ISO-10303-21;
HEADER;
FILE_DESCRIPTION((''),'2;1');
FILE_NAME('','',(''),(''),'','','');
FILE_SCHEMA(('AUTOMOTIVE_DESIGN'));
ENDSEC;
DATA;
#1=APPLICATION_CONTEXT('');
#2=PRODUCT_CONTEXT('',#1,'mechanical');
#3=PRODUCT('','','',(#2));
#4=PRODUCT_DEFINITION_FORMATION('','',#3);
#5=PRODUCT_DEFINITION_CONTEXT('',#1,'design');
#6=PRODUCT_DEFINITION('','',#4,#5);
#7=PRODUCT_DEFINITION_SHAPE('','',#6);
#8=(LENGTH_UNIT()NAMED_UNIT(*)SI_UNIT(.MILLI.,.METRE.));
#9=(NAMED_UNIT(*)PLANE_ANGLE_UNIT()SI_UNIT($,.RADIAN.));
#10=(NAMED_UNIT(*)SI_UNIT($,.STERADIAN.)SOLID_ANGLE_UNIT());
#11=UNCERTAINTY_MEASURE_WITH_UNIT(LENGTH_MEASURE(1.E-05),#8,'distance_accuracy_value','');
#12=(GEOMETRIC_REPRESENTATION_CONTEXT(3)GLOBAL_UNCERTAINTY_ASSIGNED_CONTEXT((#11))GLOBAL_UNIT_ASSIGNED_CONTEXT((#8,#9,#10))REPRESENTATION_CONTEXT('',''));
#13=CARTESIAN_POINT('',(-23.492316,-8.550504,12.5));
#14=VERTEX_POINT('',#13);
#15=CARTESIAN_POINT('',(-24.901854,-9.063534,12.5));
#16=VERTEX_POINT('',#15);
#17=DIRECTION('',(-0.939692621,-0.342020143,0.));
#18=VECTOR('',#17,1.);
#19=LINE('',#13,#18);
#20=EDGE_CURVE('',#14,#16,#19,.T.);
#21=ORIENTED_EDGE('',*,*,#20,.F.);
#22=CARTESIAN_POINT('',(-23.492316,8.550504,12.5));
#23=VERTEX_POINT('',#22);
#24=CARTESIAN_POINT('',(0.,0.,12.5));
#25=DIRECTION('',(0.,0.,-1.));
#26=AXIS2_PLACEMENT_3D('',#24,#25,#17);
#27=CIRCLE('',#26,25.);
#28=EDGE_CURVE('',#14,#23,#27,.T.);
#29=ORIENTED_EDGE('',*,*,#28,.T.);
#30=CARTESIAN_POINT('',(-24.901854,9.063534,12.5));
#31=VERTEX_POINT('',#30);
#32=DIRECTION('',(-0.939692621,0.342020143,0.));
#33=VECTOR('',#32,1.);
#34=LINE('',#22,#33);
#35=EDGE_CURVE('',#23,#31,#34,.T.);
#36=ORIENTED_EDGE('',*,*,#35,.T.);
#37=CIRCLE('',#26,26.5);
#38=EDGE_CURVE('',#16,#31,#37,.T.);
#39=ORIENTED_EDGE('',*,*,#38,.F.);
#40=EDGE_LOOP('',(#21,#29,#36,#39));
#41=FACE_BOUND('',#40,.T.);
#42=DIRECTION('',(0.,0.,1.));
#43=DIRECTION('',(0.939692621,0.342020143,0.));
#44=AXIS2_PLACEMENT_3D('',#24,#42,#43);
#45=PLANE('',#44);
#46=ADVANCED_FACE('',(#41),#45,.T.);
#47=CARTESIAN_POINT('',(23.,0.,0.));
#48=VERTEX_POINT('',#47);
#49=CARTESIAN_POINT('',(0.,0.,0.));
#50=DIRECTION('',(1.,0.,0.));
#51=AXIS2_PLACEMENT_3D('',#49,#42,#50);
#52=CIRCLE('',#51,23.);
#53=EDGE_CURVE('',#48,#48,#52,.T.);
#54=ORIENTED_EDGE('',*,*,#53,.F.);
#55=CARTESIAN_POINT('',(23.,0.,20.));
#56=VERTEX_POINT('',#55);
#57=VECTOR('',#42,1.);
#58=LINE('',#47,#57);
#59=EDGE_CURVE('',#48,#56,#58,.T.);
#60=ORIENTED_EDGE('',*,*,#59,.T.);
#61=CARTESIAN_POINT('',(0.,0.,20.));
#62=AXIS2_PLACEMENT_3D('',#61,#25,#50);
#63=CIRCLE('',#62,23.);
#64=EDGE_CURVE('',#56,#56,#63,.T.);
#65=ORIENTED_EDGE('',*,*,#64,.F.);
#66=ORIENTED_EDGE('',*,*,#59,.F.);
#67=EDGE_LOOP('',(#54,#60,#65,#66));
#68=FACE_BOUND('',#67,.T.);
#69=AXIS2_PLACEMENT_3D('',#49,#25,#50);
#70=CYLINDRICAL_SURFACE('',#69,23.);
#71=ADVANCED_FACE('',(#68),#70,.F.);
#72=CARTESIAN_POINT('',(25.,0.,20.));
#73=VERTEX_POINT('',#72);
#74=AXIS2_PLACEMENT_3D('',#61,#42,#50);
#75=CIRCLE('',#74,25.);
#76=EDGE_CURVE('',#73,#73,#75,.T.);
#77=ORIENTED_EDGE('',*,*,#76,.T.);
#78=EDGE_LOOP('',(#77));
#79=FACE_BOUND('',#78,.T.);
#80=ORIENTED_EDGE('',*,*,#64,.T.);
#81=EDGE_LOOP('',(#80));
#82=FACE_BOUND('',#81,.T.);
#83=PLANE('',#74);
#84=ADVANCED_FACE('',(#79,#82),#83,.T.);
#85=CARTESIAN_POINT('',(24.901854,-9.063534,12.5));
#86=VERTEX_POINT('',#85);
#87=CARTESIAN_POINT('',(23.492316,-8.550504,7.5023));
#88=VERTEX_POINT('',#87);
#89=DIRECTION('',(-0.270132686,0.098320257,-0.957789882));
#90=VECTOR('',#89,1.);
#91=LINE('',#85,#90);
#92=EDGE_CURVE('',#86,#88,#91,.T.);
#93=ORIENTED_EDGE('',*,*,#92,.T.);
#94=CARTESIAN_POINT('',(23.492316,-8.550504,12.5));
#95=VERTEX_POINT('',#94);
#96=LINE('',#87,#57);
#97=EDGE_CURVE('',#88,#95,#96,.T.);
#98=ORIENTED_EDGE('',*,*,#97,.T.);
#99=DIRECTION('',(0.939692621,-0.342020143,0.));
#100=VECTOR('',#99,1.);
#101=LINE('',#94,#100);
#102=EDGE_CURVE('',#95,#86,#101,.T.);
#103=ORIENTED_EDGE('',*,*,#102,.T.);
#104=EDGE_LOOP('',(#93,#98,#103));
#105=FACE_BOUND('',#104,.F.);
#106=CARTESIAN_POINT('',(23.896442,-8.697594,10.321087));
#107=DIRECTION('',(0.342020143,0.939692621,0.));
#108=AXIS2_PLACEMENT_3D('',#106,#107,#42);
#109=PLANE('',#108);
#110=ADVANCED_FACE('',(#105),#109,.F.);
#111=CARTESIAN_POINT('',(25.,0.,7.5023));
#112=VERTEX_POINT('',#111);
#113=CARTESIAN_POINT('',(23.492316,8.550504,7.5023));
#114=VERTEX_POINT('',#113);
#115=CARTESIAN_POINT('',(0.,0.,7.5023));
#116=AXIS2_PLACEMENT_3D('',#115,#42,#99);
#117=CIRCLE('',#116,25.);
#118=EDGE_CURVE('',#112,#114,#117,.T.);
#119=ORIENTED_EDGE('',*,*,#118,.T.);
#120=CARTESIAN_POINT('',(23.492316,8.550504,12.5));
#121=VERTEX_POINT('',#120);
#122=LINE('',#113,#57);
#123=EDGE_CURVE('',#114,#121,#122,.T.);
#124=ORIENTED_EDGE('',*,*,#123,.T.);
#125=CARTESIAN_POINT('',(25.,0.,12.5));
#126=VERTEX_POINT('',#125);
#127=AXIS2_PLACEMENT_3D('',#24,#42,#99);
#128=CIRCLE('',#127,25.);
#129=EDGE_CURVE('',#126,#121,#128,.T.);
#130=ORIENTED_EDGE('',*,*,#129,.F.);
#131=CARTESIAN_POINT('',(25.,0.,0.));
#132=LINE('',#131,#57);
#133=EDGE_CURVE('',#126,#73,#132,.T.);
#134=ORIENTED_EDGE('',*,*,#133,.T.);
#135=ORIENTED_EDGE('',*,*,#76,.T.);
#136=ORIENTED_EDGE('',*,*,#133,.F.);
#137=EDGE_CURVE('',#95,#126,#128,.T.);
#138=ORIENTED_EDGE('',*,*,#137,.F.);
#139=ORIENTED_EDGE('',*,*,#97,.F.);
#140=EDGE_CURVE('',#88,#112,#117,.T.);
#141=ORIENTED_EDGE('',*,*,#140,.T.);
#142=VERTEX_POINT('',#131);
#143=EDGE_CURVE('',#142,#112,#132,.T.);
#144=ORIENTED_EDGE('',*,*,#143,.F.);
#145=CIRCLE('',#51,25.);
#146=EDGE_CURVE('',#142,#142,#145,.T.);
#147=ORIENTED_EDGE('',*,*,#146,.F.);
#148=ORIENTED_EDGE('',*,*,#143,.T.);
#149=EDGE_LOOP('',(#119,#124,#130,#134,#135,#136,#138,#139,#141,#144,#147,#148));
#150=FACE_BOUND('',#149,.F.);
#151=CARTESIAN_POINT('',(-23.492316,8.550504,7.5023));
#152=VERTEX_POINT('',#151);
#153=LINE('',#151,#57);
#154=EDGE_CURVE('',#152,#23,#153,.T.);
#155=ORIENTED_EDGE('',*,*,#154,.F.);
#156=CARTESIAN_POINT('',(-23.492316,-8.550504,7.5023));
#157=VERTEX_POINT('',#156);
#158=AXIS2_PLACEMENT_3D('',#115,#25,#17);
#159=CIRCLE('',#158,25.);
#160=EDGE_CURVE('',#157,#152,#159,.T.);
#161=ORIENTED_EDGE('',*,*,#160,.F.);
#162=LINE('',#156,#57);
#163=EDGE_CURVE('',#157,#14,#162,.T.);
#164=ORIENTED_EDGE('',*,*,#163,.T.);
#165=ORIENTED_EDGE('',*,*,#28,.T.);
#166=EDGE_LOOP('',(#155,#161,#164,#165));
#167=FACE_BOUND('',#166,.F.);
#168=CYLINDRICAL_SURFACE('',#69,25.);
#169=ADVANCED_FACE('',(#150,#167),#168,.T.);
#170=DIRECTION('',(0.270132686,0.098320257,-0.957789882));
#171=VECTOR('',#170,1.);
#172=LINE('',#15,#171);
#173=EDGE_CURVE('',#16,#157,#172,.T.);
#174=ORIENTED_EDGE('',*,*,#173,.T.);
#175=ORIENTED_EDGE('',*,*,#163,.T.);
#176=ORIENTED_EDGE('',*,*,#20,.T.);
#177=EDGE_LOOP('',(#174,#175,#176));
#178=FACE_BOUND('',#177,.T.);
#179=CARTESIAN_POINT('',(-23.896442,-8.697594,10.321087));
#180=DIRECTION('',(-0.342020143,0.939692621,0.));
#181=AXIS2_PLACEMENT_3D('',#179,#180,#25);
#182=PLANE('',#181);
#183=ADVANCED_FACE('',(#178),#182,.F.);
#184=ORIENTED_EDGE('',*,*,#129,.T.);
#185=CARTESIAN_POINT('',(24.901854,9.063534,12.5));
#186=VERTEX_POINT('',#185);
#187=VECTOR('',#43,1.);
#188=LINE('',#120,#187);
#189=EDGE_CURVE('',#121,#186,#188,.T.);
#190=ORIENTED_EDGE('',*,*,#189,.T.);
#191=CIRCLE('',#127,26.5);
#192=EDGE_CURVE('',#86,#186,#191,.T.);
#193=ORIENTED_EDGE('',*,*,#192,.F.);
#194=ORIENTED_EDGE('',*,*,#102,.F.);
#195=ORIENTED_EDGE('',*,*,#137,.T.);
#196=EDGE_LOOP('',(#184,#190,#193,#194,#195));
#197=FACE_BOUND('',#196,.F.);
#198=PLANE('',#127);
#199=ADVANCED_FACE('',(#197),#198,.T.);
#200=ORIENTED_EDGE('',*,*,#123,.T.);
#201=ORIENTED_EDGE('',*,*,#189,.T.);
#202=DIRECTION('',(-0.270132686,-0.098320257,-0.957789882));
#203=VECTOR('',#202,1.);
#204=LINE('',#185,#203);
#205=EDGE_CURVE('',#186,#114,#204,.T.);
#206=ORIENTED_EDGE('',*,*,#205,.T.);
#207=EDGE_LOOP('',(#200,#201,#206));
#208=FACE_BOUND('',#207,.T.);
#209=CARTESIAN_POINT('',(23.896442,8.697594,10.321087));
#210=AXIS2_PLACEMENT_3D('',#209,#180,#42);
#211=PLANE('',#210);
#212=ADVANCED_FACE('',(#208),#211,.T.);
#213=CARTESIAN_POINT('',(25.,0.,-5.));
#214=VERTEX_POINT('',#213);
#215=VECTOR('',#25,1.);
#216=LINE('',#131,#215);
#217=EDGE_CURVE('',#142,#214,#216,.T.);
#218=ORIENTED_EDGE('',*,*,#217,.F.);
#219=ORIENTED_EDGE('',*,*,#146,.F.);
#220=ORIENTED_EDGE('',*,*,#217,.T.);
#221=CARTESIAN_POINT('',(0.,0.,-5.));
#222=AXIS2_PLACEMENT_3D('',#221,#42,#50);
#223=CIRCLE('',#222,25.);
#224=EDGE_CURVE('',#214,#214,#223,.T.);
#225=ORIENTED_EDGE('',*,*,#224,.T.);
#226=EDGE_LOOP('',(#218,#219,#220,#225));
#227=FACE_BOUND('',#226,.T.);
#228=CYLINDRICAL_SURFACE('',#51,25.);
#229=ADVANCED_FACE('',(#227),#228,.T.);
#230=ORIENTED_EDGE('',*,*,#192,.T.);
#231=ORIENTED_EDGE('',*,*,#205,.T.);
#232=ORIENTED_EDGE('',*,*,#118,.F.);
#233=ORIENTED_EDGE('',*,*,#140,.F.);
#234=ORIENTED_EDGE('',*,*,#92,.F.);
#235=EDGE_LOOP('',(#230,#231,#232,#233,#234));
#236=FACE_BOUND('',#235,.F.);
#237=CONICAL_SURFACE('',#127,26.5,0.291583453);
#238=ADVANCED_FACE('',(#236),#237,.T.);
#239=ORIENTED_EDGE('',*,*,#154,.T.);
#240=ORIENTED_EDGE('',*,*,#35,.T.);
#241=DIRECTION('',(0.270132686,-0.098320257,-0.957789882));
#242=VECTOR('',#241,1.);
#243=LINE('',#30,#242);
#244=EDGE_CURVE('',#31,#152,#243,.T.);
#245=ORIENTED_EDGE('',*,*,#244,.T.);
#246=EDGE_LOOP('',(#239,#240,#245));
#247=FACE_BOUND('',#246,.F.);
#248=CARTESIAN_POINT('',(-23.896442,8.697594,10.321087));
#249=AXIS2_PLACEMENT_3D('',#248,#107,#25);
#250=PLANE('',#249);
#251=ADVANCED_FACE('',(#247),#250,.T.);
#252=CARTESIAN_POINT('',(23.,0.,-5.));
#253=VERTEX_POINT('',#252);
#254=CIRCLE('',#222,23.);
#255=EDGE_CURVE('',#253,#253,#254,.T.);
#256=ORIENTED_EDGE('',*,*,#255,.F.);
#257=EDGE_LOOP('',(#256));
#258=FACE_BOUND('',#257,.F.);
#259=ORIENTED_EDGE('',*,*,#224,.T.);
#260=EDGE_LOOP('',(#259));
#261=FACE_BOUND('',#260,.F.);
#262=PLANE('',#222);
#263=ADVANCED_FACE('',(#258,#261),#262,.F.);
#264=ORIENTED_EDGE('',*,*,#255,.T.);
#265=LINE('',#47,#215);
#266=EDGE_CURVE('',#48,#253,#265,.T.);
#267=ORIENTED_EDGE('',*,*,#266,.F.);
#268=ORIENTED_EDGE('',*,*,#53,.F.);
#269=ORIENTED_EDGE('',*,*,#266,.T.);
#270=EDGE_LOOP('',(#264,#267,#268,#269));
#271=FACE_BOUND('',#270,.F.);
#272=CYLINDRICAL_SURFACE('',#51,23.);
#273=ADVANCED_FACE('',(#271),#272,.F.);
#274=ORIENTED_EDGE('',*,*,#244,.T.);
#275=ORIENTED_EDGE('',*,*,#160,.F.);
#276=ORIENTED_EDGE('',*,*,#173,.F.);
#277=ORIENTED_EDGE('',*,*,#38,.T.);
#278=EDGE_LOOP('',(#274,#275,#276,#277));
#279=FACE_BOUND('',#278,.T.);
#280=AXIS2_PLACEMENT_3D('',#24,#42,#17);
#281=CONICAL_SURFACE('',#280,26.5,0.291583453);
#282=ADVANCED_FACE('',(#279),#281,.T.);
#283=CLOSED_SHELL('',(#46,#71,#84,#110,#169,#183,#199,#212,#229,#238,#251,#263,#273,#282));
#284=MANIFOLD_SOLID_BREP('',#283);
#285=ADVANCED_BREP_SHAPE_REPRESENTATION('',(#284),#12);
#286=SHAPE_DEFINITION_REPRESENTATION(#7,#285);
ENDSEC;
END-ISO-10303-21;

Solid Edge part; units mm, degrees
sketch "Sketch1" plane through (0, 0, 0) normal (0, 0, 1) x (1, 0, 0)
  circle A0 centre (0, 0) radius 25
  circle A1 centre (0, 0) radius 23
  dimension "D1" = 2
extrude "Protrusion1" add sketch "Sketch1" along normal blind 25
sketch "Sketch2" plane through (0, 0, 0) normal (0, -1, 0) x (1, 0, 0)
  line L0 (26.5, 12.5) -> (25, 7.5023)
  line L1 (25, 7.5023) -> (25, 12.5)
  line L2 (25, 12.5) -> (26.5, 12.5)
revolve "RevolvedProtrusion_1" add sketch "Sketch2" angle 40 mid plane about axis through (0, 0, 0) along (0, 0, 1)
mirror "Mirror1" about plane through (0, 0, 0) normal (1, 0, 0) of "RevolvedProtrusion_1"
sketch "Sketch3" plane through (0, 0, 0) normal (0, 0, 1) x (1, 0, 0)
  circle A0 centre (0, 0) radius 25
  circle A1 centre (0, 0) radius 23
  dimension "D1" = 2
extrude "Protrusion2" add sketch "Sketch3" against normal blind 5
sketch "Sketch4" plane through (0, 0, 25) normal (0, 0, 1) x (1, 0, 0)
  circle A0 centre (0, 0) radius 25
extrude "ExtrudedCutout_1" cut sketch "Sketch4" against normal blind 5
